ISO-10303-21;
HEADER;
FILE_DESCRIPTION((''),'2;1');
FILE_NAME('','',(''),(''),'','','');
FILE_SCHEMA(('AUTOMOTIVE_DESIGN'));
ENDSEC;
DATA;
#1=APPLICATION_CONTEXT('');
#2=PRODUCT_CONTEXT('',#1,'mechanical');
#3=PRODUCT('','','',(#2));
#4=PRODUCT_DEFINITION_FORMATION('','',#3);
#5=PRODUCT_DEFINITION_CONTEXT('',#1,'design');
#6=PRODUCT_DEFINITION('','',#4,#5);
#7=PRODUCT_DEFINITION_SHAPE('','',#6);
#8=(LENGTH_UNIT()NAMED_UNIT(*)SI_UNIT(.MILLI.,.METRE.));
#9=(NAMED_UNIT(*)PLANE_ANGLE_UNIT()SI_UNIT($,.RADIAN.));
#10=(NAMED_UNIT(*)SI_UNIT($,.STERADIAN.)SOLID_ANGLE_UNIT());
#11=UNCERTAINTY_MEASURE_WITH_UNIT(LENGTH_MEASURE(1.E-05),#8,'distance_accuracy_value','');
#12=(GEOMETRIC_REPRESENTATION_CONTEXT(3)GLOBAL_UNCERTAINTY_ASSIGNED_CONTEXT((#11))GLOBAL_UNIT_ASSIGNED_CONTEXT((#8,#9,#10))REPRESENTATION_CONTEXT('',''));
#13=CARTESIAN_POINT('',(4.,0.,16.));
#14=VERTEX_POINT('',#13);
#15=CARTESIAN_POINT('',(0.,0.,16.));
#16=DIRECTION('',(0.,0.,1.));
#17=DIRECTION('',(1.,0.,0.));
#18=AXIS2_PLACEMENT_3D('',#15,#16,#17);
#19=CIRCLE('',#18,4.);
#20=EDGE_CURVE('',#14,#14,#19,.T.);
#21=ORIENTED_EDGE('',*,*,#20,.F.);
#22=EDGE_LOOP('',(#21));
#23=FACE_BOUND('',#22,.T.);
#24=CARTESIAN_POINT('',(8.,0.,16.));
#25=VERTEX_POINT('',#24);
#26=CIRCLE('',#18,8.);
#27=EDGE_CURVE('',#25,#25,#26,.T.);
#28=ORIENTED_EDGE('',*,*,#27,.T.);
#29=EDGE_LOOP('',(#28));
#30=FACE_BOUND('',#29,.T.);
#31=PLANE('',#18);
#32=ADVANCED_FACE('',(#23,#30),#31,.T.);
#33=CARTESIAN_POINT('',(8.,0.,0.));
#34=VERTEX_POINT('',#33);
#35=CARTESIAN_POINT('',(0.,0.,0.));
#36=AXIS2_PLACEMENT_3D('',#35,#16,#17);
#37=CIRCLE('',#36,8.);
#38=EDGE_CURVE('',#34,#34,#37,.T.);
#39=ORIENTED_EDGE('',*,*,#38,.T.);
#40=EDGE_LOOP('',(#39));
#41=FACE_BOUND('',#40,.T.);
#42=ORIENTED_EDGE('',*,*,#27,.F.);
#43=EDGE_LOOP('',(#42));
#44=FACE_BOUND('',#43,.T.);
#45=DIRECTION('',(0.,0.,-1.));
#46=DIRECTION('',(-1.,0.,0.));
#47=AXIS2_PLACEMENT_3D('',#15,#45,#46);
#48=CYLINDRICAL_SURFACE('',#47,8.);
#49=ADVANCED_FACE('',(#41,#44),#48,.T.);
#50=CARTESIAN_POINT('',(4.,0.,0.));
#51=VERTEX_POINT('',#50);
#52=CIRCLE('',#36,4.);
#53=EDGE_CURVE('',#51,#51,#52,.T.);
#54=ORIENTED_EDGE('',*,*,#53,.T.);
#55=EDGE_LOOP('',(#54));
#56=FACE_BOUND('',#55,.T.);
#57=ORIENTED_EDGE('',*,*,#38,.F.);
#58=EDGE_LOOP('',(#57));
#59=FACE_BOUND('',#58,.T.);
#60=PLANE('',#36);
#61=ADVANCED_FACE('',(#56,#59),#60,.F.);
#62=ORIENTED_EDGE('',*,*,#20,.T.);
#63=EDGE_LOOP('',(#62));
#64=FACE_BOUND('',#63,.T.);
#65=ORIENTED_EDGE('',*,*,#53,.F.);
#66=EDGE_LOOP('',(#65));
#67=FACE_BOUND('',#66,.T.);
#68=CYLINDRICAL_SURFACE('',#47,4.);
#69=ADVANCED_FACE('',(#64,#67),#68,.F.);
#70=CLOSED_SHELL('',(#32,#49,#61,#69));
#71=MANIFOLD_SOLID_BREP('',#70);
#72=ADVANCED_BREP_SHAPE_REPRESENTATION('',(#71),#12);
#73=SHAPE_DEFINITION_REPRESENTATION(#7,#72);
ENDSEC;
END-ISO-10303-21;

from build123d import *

# Parameters (mm, degrees)
SKETCH_1_R      = 8
SKETCH_1_R_2    = 4
EXTRUDE_1_DEPTH = 16


with BuildPart() as part:
    # 草图1 → 凸台-拉伸1 (new body)
    with BuildSketch(Plane.XY):
        Circle(SKETCH_1_R)
        Circle(SKETCH_1_R_2, mode=Mode.SUBTRACT)
    extrude(amount=EXTRUDE_1_DEPTH)


solid = part.part
